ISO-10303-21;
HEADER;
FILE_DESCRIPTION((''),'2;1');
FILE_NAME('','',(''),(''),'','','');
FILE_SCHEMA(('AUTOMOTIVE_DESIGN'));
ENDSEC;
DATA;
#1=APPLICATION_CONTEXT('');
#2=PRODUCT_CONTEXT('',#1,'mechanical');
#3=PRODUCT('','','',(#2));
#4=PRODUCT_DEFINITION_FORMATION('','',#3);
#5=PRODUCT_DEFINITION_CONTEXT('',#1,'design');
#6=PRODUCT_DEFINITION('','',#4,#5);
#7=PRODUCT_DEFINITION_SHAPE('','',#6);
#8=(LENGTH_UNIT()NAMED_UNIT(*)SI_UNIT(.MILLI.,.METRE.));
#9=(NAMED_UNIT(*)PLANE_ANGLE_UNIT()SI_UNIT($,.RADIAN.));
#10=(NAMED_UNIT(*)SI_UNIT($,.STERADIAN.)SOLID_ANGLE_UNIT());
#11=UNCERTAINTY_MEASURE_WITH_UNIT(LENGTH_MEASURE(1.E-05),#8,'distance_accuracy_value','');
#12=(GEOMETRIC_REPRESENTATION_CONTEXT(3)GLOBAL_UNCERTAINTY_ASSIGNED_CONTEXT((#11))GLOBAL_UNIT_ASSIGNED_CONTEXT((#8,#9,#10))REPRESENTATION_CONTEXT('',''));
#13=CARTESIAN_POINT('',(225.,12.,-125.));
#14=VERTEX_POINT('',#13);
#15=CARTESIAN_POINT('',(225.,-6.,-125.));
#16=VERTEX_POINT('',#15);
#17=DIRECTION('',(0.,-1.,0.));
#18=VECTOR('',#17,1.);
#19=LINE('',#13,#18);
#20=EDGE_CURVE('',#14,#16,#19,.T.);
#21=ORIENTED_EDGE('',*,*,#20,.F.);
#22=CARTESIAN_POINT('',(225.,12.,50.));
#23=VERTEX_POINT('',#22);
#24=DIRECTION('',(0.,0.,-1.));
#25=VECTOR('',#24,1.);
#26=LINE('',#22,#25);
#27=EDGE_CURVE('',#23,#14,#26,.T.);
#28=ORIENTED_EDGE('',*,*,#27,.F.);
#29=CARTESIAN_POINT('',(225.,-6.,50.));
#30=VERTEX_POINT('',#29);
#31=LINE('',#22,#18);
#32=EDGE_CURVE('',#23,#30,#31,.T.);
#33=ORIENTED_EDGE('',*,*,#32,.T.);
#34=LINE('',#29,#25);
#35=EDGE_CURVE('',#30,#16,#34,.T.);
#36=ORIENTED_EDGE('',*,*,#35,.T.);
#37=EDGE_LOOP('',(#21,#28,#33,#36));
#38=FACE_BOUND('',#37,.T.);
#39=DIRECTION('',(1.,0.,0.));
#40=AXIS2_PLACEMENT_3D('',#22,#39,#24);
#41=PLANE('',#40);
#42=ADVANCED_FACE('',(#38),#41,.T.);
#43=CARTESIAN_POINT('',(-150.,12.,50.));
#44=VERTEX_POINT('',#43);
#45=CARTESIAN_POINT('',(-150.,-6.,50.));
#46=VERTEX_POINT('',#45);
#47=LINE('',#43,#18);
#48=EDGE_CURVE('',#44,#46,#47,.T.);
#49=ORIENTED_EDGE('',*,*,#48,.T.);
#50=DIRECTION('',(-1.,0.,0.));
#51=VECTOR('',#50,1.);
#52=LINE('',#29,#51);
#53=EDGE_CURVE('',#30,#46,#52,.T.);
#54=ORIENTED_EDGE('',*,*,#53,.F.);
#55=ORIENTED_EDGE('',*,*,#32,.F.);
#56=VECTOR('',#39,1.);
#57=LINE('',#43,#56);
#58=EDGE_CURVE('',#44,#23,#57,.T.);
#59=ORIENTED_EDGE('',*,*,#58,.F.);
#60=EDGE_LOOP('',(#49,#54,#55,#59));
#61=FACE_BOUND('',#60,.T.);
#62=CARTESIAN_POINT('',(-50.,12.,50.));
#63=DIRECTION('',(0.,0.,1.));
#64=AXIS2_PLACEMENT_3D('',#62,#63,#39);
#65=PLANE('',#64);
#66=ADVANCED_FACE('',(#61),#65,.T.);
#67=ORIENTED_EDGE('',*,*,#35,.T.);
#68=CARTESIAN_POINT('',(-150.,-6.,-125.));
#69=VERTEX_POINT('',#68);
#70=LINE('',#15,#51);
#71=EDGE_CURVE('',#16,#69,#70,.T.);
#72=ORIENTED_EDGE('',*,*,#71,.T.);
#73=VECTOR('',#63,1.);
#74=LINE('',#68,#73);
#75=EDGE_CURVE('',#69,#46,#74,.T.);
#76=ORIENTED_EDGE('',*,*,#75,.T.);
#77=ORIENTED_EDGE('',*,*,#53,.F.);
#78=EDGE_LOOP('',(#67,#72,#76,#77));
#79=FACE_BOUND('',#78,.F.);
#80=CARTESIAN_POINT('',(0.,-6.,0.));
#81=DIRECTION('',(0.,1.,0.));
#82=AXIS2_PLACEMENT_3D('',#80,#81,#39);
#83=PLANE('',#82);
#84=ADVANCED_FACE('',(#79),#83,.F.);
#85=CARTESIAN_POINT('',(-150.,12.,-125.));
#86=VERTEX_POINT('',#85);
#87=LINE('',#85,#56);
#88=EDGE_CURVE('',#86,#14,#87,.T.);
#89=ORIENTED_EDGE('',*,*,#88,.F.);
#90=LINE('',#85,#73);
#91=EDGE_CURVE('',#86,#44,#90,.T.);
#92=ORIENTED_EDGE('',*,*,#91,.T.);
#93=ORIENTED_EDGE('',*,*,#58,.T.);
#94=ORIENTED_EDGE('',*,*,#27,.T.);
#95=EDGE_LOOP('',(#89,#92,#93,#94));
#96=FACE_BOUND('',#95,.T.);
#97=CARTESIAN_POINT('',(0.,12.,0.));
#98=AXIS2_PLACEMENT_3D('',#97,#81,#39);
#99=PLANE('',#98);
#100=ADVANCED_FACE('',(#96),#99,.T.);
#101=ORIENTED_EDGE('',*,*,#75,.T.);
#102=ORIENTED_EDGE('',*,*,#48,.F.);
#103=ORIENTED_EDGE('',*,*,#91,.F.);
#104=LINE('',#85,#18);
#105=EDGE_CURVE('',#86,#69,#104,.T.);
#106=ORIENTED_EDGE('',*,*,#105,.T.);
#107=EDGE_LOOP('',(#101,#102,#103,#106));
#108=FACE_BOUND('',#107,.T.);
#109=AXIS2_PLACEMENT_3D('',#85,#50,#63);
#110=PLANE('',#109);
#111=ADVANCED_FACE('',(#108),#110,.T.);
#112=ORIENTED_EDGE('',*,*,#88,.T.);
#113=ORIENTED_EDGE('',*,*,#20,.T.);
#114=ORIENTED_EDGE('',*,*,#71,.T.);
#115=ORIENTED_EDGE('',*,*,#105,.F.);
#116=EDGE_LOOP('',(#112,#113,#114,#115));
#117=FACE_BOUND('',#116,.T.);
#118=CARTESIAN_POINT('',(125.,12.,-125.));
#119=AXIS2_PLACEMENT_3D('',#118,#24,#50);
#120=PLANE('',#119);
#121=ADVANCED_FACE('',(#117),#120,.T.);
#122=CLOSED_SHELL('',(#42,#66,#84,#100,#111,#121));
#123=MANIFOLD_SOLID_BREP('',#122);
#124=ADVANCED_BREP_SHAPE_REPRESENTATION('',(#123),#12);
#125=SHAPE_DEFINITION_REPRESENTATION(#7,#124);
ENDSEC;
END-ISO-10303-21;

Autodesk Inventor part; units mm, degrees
ref_plane "YZ Plane" through (0, 0, 0) normal (1, 0, 0) x (0, 1, 0)
ref_plane "XZ Plane" through (0, 0, 0) normal (0, 1, 0) x (-1, 0, 0)
ref_plane "XY Plane" through (0, 0, 0) normal (0, 0, 1) x (1, 0, 0)
sketch "Sketch1" plane through (0, 0, 0) normal (0, 1, 0) x (-1, 0, 0)
  line L0 (50, 50) -> (-125, 50)
  line L1 (-125, 50) -> (-125, -125)
  line L2 (-125, -125) -> (50, -125)
  line L3 (50, -125) -> (50, 50)
  point P0 (0, 0)
  dimension "d0" = 175
  dimension "d1" = 175
extrude "Extrusion1" add sketch "Sketch1" along normal blind 12
sketch "Sketch2" plane through (0, 12, 0) normal (0, 1, 0) x (1, 0, 0)
  line L0 (-50, -50) -> (125, -50) projected
  line L1 (-150, -50) -> (225, -50)
  line L2 (225, -50) -> (225, 125)
  line L3 (225, 125) -> (-150, 125)
  line L4 (-150, 125) -> (-150, -50)
  line L5 (-50, 125) -> (-50, -50) projected
  line L6 (125, -50) -> (125, 125) projected
  point P0 (0, 0)
  point P1 (55, -50)
  dimension "d8" = 100
  dimension "d9" = 100
extrude "Extrusion2" add sketch "Sketch2" against normal blind 18
properties part number "ZadBabkaOsnova" material "Aluminum 6061"
